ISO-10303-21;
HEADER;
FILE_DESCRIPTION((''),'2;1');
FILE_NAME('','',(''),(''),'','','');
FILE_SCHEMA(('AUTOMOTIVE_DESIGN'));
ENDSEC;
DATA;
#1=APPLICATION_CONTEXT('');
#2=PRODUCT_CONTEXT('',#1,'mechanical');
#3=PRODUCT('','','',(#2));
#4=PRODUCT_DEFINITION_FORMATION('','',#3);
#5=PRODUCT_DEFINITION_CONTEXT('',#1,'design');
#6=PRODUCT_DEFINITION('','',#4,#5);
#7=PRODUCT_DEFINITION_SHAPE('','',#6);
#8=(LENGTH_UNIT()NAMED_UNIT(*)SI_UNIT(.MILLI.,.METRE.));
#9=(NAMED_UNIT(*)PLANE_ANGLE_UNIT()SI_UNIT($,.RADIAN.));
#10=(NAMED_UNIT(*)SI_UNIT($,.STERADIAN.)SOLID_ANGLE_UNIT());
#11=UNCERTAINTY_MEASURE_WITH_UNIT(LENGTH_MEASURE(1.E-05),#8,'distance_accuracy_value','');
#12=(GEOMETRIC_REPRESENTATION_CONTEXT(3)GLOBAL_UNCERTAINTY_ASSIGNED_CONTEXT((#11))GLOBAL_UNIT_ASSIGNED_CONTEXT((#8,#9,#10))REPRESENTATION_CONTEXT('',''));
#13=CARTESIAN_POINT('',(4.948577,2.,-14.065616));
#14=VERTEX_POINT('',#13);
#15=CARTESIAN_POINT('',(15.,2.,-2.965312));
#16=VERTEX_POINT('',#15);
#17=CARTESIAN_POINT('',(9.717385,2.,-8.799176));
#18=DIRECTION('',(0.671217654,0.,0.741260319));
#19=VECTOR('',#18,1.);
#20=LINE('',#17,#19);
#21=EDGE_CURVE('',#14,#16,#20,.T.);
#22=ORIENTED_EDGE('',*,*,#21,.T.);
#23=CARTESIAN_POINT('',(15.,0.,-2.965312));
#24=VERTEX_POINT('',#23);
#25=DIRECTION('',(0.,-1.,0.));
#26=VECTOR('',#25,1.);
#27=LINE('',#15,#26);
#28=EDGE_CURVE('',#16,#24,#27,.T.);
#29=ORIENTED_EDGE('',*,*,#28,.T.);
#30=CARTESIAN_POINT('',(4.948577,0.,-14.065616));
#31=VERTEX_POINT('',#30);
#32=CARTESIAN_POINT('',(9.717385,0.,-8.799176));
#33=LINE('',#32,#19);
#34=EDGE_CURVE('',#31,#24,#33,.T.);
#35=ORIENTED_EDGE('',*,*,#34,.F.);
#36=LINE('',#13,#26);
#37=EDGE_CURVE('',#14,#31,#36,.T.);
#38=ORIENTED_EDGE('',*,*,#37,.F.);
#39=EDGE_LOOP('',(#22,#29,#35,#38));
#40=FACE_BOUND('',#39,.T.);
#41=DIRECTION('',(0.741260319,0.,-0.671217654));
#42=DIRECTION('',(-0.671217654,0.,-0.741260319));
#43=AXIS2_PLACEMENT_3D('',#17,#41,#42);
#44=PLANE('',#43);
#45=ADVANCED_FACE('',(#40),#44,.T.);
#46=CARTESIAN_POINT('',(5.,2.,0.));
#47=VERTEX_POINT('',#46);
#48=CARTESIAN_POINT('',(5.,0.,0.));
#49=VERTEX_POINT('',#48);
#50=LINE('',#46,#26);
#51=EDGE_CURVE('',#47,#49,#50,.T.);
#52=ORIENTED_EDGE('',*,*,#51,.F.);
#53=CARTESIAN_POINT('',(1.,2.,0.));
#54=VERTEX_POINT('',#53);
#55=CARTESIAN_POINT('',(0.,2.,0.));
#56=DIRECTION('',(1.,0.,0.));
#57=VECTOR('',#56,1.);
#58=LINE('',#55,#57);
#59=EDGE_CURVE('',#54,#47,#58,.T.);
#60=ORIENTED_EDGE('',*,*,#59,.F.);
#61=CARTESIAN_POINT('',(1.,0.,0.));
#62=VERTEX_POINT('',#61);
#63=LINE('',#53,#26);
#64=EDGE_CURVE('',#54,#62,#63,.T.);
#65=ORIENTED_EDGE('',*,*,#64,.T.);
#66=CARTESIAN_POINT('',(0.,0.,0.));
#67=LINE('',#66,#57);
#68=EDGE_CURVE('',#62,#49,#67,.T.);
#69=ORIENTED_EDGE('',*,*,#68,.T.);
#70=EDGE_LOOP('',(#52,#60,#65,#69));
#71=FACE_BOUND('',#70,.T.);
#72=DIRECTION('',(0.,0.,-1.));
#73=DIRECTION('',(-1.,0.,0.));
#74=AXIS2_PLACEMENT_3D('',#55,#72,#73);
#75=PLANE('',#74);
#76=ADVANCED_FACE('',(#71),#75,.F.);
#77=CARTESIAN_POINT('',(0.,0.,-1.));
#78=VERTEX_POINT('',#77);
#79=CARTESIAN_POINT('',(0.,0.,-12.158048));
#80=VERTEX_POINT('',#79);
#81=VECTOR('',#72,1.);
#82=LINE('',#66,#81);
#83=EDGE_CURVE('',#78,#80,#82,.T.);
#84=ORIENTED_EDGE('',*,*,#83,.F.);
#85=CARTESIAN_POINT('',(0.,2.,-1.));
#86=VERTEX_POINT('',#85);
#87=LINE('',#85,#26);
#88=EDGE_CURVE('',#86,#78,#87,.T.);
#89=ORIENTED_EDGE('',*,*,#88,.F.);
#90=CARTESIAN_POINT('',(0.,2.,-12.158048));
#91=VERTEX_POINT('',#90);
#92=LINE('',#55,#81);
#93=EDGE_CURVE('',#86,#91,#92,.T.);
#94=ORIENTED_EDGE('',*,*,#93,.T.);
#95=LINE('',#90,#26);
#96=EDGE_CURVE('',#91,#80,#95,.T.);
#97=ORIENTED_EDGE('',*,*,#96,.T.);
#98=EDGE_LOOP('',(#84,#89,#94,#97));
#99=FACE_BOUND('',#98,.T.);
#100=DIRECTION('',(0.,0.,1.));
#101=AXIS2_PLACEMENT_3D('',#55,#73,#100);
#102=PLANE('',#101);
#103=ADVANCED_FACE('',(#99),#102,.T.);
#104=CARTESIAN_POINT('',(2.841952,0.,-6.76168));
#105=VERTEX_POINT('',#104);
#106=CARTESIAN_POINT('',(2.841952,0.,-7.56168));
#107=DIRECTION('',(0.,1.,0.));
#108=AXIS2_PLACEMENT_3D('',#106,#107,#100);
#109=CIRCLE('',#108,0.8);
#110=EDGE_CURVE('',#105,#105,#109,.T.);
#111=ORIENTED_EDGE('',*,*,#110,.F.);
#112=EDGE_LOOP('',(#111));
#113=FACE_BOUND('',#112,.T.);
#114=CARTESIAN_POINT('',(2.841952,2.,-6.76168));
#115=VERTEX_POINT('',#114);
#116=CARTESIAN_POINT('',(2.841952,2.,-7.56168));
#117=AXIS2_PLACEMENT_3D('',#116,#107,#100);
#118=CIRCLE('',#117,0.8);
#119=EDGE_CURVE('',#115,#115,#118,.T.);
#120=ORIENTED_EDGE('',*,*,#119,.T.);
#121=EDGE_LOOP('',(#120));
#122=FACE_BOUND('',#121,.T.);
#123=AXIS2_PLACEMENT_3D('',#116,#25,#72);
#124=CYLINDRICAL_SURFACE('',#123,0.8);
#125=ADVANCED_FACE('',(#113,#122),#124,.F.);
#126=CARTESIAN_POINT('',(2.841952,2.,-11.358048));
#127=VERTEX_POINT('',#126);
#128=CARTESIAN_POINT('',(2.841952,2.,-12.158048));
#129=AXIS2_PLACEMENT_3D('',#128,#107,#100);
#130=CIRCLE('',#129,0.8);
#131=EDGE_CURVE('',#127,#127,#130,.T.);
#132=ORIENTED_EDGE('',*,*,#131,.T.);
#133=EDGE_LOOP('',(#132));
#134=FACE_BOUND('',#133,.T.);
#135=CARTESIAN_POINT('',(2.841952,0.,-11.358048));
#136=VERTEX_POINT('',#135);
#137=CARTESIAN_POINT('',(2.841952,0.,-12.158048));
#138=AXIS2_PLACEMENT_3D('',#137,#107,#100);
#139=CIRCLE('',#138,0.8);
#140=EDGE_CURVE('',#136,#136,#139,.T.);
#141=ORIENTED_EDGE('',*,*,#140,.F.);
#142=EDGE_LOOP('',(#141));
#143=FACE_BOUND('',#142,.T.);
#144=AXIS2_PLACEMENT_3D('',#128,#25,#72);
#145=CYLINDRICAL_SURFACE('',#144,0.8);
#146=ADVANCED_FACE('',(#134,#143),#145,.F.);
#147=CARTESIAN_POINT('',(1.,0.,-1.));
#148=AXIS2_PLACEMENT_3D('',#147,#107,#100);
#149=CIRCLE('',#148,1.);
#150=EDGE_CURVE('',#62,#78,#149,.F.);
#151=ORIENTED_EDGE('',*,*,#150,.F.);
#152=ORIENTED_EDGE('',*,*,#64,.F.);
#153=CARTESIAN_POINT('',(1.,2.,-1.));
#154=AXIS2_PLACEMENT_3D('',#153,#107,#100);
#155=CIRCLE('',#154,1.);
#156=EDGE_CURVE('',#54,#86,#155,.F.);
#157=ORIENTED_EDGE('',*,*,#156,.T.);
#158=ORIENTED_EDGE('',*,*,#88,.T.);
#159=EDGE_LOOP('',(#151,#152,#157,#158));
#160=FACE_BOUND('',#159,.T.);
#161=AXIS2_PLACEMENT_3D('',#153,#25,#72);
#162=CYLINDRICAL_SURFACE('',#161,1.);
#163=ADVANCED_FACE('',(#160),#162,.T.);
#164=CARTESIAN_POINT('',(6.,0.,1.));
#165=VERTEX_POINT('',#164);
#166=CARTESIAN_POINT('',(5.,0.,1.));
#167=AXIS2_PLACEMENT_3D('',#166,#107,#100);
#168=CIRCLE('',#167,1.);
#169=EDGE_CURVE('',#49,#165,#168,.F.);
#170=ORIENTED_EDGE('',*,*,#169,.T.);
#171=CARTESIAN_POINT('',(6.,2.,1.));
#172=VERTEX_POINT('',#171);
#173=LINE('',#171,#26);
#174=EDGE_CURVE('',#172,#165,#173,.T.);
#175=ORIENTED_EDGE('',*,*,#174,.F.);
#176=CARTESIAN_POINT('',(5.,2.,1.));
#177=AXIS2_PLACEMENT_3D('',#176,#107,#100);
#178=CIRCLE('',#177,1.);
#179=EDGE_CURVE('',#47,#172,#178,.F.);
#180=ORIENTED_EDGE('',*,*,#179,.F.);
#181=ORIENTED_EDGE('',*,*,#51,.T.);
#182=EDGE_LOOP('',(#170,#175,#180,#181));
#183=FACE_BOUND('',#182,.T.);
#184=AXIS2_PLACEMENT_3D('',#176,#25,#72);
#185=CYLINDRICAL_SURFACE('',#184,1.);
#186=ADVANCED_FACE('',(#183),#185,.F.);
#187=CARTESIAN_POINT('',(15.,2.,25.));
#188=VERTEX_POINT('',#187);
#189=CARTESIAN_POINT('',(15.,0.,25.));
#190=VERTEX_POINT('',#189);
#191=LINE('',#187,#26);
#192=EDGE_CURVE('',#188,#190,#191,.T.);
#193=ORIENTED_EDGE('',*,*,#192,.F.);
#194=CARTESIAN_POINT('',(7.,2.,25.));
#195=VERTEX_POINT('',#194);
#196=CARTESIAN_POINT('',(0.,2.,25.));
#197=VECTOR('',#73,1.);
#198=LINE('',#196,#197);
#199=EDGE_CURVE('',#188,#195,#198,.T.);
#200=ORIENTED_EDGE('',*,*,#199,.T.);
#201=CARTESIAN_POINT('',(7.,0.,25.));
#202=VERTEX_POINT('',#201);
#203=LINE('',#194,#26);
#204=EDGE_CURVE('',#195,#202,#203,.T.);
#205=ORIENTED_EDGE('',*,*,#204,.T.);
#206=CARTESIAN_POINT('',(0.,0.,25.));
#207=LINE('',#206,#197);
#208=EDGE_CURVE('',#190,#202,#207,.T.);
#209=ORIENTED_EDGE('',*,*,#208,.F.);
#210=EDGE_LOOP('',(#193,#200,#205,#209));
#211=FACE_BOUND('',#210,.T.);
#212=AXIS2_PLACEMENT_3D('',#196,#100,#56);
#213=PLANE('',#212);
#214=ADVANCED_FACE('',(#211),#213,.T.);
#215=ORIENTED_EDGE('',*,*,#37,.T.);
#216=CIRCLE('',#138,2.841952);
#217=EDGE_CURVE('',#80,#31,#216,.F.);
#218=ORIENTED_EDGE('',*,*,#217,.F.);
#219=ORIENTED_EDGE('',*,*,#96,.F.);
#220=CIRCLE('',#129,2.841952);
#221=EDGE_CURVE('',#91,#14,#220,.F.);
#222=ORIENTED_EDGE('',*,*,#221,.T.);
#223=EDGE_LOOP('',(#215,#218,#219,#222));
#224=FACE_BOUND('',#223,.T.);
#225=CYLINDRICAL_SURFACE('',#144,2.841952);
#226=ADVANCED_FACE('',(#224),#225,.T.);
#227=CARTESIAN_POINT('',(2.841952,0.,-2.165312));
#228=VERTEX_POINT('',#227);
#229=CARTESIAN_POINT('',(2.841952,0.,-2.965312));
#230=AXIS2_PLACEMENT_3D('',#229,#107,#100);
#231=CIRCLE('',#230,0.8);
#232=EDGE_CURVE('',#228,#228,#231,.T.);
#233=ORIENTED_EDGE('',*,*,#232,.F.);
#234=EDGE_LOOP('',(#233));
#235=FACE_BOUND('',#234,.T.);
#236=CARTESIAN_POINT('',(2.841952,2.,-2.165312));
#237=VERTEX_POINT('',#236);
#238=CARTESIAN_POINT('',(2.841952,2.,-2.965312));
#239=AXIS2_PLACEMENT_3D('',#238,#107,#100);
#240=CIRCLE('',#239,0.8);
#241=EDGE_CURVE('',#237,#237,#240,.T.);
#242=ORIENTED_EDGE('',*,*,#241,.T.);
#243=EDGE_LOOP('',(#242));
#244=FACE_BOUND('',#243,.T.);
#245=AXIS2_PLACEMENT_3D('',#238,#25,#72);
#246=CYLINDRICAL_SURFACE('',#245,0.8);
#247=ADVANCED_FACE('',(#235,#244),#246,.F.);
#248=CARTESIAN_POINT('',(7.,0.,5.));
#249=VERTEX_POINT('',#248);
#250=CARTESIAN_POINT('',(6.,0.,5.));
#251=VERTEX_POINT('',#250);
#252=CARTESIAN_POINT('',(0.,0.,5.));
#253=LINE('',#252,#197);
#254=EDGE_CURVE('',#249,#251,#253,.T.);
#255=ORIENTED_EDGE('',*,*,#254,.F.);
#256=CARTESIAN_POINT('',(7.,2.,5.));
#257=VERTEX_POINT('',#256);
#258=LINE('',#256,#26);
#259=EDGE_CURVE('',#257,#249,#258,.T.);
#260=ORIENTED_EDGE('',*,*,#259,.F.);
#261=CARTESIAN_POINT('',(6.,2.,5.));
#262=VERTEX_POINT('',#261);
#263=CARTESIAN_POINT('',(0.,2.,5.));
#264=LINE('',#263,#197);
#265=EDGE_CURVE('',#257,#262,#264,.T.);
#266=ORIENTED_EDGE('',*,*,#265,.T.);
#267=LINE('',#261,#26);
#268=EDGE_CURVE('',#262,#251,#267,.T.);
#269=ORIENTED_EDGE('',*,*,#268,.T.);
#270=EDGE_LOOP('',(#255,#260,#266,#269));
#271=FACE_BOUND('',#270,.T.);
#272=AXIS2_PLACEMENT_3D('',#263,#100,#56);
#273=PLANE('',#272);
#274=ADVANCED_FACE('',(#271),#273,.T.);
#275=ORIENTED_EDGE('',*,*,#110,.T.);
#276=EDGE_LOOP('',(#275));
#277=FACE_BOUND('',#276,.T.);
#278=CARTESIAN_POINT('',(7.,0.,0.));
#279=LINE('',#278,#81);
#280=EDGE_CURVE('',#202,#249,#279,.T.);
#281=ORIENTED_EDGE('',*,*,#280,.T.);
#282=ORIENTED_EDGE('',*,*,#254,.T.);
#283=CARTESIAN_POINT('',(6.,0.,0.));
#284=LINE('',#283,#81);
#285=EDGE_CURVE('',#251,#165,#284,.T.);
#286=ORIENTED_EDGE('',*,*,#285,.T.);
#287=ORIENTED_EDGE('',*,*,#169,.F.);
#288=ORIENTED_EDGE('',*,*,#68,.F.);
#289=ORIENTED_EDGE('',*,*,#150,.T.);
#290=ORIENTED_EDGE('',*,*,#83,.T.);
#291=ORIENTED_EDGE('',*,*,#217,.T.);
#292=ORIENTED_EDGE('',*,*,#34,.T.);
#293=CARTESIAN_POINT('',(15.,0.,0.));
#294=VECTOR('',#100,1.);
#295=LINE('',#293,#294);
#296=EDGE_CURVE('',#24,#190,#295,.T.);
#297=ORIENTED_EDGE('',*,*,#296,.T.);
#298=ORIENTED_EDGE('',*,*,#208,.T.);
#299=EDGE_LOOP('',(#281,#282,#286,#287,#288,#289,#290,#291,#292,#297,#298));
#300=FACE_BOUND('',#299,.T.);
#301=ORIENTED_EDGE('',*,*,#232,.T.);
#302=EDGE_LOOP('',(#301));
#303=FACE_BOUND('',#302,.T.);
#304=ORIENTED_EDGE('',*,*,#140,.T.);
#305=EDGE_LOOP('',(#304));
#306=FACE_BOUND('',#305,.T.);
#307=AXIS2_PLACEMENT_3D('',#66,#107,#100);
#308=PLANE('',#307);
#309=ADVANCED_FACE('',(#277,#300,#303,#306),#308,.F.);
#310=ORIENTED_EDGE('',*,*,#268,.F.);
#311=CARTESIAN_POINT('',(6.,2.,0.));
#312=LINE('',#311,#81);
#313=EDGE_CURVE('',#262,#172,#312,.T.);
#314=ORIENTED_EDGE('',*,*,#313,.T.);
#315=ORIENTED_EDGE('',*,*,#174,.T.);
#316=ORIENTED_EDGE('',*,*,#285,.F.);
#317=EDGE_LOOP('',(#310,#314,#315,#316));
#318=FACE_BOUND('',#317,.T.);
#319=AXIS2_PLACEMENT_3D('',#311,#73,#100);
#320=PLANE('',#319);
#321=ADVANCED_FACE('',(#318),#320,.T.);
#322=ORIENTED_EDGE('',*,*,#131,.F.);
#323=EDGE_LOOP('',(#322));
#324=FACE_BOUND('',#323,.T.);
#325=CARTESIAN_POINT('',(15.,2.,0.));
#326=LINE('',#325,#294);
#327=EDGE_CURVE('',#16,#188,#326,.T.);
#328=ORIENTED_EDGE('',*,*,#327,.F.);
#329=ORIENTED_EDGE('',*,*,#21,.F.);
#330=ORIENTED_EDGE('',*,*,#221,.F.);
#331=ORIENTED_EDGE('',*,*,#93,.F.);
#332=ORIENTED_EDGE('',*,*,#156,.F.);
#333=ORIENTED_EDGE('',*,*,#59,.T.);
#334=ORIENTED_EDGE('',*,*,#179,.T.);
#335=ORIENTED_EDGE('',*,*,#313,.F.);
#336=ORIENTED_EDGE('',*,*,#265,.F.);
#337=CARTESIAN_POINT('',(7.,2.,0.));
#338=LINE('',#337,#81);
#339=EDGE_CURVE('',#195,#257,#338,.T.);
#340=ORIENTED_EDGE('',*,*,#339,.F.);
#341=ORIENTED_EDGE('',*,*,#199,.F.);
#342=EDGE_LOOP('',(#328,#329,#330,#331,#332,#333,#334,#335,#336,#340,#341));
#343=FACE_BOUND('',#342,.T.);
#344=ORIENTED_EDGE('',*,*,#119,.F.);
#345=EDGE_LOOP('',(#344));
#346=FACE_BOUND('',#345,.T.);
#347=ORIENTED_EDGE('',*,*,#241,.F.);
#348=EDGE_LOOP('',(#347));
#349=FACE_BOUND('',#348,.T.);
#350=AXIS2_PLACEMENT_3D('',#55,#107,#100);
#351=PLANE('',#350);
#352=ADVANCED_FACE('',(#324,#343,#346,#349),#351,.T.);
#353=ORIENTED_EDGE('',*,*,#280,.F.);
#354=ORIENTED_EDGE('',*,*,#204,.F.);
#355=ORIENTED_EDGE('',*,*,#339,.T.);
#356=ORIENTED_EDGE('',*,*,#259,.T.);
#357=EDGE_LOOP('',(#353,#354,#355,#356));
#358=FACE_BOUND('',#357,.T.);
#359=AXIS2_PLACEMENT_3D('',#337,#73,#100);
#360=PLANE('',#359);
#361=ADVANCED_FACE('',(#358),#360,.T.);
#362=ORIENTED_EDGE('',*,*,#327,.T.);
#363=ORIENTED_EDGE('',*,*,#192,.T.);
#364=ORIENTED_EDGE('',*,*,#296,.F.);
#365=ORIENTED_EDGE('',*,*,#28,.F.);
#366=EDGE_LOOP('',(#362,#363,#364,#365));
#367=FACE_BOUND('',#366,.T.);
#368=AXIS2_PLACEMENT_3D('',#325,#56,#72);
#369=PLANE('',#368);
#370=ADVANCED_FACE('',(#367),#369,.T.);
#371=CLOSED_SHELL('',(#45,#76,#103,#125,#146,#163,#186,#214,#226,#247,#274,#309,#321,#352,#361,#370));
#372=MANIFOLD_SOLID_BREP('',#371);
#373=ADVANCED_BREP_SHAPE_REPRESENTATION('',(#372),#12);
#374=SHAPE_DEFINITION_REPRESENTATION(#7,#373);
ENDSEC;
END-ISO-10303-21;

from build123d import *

# Parameters (mm, degrees)
SKETCH1_R           = 0.8
BOSS_EXTRUDE1_DEPTH = 2


with BuildPart() as part:
    # Sketch1 → Boss-Extrude1 (new body)
    with BuildSketch(Plane(origin=(0, 0, 0), x_dir=(1, 0, 0), z_dir=(0, 1, 0))):
        with BuildLine():
            Line((1, 0), (5, 0))
            ThreePointArc((5, 0), (5.707106781, -0.292893219), (6, -1))
            Line((6, -1), (6, -5))
            Line((6, -5), (7, -5))
            Line((7, -5), (7, -25))
            Line((7, -25), (15, -25))
            Line((15, -25), (15, 2.965311532))
            Line((15, 2.965311532), (4.948577491, 14.065616497))
            ThreePointArc((4.948577491, 14.065616497), (1.819757882, 14.809804225), (0, 12.158048434))
            Line((0, 12.158048434), (0, 1))
            ThreePointArc((0, 1), (0.292893219, 0.292893219), (1, 0))
        make_face()
        with Locations(Location((2.841951566, 7.561679983, 0), (0, 0, 270))):
            Circle(SKETCH1_R, mode=Mode.SUBTRACT)
        with Locations(Location((2.841951566, 2.965311532, 0), (0, 0, 270))):
            Circle(SKETCH1_R, mode=Mode.SUBTRACT)
        with Locations(Location((2.841951566, 12.158048434, 0), (0, 0, 270))):
            Circle(SKETCH1_R, mode=Mode.SUBTRACT)
    extrude(amount=BOSS_EXTRUDE1_DEPTH)


solid = part.part
